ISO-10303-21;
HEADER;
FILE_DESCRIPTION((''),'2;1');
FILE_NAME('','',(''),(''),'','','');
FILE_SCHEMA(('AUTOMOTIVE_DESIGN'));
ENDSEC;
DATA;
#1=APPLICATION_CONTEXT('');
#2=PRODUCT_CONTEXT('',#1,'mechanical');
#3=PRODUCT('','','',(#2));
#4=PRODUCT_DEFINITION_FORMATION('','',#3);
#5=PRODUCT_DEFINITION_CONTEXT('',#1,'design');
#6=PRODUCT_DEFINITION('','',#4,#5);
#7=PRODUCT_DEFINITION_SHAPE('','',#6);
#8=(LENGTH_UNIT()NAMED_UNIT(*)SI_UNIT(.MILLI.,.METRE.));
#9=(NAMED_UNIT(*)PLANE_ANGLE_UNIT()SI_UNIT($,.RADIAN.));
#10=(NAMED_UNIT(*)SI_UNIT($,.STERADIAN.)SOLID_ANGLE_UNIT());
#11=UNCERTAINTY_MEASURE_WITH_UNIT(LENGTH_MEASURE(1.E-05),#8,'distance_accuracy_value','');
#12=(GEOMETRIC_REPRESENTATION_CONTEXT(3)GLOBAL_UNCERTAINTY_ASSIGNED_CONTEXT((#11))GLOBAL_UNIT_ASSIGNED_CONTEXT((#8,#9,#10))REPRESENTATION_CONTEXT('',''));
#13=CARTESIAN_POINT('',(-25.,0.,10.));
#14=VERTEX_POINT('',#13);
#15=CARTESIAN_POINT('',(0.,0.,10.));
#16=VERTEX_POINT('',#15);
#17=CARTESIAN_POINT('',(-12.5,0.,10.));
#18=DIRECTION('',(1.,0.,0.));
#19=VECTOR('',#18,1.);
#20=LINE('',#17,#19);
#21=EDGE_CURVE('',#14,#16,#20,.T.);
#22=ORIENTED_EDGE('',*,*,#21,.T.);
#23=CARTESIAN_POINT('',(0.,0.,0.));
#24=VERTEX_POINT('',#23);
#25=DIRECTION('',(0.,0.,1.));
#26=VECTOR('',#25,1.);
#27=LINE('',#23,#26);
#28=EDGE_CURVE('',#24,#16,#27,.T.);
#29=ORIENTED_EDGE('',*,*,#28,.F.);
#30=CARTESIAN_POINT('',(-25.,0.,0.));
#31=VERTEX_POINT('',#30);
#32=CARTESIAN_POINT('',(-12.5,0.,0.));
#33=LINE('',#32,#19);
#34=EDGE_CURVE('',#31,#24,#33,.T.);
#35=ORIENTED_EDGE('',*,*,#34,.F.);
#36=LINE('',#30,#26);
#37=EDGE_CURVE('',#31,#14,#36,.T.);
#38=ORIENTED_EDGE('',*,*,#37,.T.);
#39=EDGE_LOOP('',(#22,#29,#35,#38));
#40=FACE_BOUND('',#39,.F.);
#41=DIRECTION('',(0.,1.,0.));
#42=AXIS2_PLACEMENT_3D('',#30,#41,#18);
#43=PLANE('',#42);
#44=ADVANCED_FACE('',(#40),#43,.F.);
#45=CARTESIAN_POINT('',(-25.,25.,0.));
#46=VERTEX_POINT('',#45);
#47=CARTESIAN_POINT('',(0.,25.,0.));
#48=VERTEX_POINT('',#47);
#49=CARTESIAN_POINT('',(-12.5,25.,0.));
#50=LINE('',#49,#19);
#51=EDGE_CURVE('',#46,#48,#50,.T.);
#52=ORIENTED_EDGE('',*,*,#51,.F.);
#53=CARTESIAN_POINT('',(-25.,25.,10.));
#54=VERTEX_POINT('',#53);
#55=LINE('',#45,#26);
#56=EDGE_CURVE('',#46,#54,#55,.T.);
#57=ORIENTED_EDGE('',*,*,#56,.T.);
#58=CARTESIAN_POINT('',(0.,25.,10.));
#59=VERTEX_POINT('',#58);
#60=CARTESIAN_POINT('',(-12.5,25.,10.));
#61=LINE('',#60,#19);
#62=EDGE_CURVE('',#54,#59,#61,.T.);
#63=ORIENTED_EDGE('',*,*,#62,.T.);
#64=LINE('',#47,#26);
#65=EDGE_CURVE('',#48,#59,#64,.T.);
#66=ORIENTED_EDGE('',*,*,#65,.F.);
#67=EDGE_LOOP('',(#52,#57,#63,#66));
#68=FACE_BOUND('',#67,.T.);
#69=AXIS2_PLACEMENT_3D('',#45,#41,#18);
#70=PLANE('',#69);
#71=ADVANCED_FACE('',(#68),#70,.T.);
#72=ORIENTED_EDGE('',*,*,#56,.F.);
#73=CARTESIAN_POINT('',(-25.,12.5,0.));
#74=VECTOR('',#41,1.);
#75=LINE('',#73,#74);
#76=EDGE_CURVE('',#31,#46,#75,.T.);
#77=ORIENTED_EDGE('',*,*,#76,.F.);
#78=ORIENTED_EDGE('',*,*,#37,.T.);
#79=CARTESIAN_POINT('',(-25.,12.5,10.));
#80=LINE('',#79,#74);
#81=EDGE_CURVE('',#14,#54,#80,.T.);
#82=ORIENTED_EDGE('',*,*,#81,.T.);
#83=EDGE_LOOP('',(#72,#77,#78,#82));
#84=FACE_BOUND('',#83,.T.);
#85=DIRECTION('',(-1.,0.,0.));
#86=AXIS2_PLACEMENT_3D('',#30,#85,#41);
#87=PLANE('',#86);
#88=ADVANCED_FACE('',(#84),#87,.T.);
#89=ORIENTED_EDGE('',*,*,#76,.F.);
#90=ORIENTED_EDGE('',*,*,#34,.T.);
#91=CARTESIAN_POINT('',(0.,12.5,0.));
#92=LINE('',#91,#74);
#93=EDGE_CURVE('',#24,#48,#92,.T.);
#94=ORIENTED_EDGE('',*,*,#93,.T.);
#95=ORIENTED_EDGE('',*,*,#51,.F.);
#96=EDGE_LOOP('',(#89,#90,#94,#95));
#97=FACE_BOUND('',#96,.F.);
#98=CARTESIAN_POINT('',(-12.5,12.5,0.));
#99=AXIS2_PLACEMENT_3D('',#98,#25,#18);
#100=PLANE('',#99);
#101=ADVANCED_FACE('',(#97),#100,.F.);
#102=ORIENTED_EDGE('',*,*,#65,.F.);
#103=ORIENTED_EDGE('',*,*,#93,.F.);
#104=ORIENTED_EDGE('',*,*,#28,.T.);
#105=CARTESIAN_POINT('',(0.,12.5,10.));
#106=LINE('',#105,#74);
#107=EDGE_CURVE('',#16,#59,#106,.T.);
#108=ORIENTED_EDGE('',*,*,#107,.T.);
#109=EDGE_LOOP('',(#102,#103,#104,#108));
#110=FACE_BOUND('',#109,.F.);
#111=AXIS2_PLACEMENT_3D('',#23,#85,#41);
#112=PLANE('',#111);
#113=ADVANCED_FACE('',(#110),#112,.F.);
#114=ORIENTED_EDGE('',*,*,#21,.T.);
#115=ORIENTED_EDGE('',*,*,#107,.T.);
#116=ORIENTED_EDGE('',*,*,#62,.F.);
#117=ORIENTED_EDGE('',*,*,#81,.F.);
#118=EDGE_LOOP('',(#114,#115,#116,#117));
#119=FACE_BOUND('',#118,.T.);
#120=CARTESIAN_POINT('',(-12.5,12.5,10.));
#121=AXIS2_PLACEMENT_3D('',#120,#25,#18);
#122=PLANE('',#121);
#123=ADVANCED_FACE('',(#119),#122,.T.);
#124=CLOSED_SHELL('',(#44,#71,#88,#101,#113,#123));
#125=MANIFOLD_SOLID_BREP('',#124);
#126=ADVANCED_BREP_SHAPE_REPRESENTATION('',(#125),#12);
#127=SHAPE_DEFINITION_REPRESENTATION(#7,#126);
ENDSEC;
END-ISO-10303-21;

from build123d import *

# Parameters (mm, degrees)
F0_W     = 25
F0_H     = 25
F1_DEPTH = 25.4
F4_DEPTH = 10


with BuildPart() as f1:
    # F0 (on Top) → F1 (new body)
    with BuildSketch(Plane.XY):
        with Locations((-12.5, 12.5)):
            Rectangle(F0_W, F0_H)
    extrude(amount=F1_DEPTH)


with BuildPart() as f4:
    # F0 (on Top) → F4 (new body)
    with BuildSketch(Plane.XY):
        with Locations((-12.5, 12.5)):
            Rectangle(F0_W, F0_H)
    extrude(amount=F4_DEPTH)


solid = f4.part
